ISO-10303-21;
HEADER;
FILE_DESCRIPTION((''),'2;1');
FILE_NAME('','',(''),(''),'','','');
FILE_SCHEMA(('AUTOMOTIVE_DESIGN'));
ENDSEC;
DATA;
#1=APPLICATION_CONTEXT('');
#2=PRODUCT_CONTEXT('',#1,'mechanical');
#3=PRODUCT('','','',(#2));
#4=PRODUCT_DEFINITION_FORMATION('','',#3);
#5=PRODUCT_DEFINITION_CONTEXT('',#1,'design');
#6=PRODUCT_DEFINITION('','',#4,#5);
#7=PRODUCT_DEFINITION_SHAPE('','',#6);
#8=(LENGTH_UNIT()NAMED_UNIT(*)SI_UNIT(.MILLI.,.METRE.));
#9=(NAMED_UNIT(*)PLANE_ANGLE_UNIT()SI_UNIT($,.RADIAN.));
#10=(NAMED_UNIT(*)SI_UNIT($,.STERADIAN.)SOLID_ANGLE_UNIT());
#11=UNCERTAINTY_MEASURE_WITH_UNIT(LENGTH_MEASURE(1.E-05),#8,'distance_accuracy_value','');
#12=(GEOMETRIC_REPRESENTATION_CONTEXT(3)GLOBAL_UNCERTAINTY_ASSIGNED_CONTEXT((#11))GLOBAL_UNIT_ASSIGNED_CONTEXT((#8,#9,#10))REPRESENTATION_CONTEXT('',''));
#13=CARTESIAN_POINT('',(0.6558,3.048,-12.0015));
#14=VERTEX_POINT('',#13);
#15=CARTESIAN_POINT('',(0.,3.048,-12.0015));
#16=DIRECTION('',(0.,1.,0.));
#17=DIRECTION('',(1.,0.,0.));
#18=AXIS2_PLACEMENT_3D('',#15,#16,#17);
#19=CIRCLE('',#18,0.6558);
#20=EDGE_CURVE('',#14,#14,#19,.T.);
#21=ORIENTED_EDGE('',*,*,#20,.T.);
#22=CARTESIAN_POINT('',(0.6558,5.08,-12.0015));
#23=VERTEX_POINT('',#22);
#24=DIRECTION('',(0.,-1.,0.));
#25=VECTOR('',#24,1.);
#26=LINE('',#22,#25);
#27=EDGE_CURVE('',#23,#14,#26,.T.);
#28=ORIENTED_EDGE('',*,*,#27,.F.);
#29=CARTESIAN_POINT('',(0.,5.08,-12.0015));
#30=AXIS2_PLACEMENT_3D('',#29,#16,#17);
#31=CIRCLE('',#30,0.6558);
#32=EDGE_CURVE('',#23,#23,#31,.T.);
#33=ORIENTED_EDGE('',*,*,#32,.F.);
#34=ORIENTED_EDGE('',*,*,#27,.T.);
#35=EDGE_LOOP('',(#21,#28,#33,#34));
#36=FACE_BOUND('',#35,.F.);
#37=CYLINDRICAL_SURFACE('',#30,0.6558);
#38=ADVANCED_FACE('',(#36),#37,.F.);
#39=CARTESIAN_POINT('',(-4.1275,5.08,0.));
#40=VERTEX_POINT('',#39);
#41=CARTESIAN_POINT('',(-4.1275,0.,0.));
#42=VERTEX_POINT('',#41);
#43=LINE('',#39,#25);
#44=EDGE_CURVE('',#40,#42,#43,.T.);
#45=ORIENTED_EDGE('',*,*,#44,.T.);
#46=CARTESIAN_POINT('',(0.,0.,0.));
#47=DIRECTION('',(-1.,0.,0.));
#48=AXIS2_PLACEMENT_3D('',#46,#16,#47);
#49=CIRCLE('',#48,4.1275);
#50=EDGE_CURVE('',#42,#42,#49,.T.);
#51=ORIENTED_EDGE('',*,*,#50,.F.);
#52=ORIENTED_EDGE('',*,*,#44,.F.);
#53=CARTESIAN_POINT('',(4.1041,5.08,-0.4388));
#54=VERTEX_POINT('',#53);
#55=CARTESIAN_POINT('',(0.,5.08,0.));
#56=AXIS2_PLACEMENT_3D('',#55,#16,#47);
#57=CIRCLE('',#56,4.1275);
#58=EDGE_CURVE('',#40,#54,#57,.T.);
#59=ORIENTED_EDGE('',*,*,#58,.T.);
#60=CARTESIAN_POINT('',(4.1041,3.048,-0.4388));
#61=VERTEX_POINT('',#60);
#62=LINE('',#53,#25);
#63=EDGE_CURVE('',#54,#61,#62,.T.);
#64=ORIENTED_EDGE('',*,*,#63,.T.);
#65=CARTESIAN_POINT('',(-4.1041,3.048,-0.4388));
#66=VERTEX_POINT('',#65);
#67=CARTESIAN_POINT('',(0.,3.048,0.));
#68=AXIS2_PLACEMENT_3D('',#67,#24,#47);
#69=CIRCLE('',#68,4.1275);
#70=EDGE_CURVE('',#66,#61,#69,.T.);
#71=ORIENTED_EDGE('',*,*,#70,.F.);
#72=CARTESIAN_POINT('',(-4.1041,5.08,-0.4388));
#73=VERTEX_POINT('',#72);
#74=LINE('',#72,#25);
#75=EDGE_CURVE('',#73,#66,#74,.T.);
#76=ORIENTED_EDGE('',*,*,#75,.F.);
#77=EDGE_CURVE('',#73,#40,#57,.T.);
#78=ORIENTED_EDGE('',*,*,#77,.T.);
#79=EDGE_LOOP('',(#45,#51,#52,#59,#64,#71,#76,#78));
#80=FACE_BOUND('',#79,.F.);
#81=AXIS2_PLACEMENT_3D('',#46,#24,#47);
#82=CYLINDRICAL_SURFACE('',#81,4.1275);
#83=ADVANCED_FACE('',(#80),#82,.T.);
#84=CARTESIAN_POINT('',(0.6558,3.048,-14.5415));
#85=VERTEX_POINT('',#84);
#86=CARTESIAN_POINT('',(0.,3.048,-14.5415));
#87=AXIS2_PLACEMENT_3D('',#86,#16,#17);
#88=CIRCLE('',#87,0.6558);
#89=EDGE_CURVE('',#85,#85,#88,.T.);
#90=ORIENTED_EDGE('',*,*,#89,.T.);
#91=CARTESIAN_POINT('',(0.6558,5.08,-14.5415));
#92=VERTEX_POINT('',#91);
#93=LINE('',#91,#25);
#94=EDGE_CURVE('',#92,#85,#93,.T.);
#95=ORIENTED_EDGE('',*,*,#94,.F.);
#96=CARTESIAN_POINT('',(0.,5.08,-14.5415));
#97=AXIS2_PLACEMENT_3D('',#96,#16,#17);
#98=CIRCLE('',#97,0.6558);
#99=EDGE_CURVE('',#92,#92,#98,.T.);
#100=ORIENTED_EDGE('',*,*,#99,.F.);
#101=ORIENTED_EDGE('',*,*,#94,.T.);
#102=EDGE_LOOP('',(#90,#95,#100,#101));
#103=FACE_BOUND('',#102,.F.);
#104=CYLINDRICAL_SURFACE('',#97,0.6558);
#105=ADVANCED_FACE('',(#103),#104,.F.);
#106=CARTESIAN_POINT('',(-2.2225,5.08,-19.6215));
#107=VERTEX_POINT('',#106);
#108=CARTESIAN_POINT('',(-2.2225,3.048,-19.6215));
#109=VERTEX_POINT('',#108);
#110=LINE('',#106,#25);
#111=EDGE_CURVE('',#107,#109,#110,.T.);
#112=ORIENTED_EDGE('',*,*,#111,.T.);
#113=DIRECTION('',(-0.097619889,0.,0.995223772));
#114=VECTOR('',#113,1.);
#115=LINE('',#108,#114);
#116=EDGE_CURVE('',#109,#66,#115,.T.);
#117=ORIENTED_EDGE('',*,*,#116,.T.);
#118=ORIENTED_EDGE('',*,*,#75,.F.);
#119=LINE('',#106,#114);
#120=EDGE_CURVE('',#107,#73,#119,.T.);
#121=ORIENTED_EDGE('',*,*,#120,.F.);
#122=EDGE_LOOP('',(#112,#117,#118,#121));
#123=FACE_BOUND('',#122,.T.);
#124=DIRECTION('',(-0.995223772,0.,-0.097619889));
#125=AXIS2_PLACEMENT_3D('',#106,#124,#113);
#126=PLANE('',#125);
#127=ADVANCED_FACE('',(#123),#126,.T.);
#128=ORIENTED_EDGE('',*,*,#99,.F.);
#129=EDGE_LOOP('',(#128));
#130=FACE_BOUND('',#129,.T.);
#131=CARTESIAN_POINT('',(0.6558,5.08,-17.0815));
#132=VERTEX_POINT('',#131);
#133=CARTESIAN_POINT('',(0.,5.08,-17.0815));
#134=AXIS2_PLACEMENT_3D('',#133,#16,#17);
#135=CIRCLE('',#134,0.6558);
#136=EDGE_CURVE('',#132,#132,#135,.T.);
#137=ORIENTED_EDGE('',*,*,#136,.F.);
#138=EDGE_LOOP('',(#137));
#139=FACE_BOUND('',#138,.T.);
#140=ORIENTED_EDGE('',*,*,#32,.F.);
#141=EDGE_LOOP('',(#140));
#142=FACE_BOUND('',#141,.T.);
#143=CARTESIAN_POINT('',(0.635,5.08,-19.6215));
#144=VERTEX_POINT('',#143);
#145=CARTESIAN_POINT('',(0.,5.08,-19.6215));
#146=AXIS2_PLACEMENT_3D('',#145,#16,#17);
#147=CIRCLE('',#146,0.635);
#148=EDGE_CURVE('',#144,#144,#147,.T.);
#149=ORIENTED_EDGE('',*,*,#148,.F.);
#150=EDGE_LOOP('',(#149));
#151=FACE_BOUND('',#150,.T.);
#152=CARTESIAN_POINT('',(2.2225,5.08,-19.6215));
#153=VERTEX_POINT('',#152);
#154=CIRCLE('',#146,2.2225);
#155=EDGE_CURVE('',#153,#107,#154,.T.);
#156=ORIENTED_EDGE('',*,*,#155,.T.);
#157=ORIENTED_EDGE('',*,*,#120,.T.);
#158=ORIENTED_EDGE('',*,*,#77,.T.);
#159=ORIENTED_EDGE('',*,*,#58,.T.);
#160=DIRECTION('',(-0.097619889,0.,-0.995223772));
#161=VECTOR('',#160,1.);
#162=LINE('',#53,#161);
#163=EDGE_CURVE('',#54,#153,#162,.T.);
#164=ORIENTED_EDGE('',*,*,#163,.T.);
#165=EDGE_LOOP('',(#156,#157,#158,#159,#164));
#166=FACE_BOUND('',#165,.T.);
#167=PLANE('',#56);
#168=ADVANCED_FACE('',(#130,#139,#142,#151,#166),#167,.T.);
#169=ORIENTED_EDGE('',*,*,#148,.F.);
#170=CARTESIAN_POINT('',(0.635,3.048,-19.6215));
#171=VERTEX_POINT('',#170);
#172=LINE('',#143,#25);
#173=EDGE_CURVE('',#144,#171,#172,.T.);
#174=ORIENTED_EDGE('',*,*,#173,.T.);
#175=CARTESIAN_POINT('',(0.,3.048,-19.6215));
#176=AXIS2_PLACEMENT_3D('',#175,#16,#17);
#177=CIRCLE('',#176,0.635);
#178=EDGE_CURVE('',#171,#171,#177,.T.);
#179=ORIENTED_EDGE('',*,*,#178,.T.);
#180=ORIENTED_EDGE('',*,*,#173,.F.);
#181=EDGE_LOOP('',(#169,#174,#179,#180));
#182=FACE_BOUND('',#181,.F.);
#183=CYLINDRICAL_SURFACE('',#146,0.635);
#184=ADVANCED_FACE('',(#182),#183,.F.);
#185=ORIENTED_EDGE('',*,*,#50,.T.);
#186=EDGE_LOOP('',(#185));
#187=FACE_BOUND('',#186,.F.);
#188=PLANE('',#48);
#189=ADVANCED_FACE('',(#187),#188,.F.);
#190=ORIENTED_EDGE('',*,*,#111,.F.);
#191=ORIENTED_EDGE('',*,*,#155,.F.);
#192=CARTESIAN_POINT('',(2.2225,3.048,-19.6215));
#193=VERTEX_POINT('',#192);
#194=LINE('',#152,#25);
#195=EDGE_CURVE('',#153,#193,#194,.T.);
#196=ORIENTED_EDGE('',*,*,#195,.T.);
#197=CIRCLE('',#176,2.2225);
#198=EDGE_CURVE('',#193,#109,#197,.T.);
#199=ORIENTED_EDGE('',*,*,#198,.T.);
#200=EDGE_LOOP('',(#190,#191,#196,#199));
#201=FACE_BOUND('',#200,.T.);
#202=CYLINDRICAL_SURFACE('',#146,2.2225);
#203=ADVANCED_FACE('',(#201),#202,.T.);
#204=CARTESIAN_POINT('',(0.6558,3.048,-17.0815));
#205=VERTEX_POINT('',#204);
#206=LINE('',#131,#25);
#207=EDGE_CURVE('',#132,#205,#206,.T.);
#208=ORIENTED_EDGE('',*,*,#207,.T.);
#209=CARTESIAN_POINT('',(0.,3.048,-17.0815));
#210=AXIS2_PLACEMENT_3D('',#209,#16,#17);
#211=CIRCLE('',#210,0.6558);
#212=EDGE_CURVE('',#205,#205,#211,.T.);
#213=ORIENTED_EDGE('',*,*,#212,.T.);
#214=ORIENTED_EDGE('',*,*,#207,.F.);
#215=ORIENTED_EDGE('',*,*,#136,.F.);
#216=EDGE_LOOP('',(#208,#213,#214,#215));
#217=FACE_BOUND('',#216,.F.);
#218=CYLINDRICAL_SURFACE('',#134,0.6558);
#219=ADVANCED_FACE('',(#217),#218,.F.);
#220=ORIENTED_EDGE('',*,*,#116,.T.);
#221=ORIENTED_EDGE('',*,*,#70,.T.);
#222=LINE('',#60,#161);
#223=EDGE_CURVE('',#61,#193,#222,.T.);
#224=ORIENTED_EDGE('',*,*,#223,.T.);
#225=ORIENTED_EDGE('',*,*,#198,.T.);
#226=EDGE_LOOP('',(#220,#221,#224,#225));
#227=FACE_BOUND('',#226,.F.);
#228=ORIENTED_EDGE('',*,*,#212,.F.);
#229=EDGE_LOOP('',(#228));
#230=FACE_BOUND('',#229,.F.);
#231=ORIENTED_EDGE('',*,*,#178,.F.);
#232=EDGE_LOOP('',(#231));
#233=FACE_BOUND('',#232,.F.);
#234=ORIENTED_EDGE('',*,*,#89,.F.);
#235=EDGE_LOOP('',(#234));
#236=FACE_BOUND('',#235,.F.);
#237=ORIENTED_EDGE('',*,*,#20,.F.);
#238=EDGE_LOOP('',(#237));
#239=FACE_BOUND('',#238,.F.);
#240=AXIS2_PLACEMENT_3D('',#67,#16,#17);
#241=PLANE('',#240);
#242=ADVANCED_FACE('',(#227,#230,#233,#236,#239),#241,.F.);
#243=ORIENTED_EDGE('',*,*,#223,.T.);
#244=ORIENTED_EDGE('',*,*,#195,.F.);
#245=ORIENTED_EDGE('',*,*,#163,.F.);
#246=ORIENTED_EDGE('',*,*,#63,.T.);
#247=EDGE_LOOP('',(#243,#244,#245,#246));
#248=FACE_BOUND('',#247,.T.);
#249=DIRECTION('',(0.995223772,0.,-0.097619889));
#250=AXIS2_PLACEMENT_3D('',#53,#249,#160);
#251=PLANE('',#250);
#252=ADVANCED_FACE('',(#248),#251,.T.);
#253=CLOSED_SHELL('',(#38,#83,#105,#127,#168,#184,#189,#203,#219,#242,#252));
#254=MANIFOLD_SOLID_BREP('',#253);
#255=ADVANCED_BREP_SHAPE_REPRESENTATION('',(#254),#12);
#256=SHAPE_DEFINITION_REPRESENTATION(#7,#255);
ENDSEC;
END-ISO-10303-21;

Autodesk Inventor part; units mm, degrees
ref_plane "YZ Plane" through (0, 0, 0) normal (1, 0, 0) x (0, 1, 0)
ref_plane "XZ Plane" through (0, 0, 0) normal (0, 1, 0) x (-1, 0, 0)
ref_plane "XY Plane" through (0, 0, 0) normal (0, 0, 1) x (1, 0, 0)
sketch "Sketch1" plane through (0, 0, 0) normal (0, 1, 0) x (-1, 0, 0)
  circle A0 centre (0, 0) radius 4.1275
  dimension "d0" = 8.255
extrude "Extrusion1" add sketch "Sketch1" along normal blind 5.08
sketch "Sketch2" plane through (0, 5.08, 0) normal (0, 1, 0) x (1, 0, 0)
  circle A0 centre (0, 0) radius 4.1275 projected
  arc A1 (2.2225, 19.6215) -> (-2.2225, 19.6215) centre (0, 19.6215) ccw
  line L0 (-2.2225, 19.6215) -> (-4.1041, 0.4388)
  line L1 (4.1041, 0.4388) -> (2.2225, 19.6215)
  arc A2 (-4.1041, 0.4388) -> (4.1041, 0.4388) centre (0, 0) ccw
  dimension "d4" = 4.445
extrude "Extrusion2" add sketch "Sketch2" against normal blind 2.032
sketch "Sketch3" plane through (0, 5.08, 0) normal (0, 1, 0) x (1, 0, 0)
  arc A0 (2.2225, 19.6215) -> (-2.2225, 19.6215) centre (0, 19.6215) ccw projected
  circle A1 centre (0, 19.6215) radius 0.635
  circle A2 centre (0, 17.0815) radius 0.6558
  circle A3 centre (0, 14.5415) radius 0.6558
  circle A4 centre (0, 12.0015) radius 0.6558
  point P0 (0, 0)
  dimension "d7" = 1.27
extrude "Extrusion3" cut sketch "Sketch3" against normal blind 3.6195
properties part number "ServoHorn"
